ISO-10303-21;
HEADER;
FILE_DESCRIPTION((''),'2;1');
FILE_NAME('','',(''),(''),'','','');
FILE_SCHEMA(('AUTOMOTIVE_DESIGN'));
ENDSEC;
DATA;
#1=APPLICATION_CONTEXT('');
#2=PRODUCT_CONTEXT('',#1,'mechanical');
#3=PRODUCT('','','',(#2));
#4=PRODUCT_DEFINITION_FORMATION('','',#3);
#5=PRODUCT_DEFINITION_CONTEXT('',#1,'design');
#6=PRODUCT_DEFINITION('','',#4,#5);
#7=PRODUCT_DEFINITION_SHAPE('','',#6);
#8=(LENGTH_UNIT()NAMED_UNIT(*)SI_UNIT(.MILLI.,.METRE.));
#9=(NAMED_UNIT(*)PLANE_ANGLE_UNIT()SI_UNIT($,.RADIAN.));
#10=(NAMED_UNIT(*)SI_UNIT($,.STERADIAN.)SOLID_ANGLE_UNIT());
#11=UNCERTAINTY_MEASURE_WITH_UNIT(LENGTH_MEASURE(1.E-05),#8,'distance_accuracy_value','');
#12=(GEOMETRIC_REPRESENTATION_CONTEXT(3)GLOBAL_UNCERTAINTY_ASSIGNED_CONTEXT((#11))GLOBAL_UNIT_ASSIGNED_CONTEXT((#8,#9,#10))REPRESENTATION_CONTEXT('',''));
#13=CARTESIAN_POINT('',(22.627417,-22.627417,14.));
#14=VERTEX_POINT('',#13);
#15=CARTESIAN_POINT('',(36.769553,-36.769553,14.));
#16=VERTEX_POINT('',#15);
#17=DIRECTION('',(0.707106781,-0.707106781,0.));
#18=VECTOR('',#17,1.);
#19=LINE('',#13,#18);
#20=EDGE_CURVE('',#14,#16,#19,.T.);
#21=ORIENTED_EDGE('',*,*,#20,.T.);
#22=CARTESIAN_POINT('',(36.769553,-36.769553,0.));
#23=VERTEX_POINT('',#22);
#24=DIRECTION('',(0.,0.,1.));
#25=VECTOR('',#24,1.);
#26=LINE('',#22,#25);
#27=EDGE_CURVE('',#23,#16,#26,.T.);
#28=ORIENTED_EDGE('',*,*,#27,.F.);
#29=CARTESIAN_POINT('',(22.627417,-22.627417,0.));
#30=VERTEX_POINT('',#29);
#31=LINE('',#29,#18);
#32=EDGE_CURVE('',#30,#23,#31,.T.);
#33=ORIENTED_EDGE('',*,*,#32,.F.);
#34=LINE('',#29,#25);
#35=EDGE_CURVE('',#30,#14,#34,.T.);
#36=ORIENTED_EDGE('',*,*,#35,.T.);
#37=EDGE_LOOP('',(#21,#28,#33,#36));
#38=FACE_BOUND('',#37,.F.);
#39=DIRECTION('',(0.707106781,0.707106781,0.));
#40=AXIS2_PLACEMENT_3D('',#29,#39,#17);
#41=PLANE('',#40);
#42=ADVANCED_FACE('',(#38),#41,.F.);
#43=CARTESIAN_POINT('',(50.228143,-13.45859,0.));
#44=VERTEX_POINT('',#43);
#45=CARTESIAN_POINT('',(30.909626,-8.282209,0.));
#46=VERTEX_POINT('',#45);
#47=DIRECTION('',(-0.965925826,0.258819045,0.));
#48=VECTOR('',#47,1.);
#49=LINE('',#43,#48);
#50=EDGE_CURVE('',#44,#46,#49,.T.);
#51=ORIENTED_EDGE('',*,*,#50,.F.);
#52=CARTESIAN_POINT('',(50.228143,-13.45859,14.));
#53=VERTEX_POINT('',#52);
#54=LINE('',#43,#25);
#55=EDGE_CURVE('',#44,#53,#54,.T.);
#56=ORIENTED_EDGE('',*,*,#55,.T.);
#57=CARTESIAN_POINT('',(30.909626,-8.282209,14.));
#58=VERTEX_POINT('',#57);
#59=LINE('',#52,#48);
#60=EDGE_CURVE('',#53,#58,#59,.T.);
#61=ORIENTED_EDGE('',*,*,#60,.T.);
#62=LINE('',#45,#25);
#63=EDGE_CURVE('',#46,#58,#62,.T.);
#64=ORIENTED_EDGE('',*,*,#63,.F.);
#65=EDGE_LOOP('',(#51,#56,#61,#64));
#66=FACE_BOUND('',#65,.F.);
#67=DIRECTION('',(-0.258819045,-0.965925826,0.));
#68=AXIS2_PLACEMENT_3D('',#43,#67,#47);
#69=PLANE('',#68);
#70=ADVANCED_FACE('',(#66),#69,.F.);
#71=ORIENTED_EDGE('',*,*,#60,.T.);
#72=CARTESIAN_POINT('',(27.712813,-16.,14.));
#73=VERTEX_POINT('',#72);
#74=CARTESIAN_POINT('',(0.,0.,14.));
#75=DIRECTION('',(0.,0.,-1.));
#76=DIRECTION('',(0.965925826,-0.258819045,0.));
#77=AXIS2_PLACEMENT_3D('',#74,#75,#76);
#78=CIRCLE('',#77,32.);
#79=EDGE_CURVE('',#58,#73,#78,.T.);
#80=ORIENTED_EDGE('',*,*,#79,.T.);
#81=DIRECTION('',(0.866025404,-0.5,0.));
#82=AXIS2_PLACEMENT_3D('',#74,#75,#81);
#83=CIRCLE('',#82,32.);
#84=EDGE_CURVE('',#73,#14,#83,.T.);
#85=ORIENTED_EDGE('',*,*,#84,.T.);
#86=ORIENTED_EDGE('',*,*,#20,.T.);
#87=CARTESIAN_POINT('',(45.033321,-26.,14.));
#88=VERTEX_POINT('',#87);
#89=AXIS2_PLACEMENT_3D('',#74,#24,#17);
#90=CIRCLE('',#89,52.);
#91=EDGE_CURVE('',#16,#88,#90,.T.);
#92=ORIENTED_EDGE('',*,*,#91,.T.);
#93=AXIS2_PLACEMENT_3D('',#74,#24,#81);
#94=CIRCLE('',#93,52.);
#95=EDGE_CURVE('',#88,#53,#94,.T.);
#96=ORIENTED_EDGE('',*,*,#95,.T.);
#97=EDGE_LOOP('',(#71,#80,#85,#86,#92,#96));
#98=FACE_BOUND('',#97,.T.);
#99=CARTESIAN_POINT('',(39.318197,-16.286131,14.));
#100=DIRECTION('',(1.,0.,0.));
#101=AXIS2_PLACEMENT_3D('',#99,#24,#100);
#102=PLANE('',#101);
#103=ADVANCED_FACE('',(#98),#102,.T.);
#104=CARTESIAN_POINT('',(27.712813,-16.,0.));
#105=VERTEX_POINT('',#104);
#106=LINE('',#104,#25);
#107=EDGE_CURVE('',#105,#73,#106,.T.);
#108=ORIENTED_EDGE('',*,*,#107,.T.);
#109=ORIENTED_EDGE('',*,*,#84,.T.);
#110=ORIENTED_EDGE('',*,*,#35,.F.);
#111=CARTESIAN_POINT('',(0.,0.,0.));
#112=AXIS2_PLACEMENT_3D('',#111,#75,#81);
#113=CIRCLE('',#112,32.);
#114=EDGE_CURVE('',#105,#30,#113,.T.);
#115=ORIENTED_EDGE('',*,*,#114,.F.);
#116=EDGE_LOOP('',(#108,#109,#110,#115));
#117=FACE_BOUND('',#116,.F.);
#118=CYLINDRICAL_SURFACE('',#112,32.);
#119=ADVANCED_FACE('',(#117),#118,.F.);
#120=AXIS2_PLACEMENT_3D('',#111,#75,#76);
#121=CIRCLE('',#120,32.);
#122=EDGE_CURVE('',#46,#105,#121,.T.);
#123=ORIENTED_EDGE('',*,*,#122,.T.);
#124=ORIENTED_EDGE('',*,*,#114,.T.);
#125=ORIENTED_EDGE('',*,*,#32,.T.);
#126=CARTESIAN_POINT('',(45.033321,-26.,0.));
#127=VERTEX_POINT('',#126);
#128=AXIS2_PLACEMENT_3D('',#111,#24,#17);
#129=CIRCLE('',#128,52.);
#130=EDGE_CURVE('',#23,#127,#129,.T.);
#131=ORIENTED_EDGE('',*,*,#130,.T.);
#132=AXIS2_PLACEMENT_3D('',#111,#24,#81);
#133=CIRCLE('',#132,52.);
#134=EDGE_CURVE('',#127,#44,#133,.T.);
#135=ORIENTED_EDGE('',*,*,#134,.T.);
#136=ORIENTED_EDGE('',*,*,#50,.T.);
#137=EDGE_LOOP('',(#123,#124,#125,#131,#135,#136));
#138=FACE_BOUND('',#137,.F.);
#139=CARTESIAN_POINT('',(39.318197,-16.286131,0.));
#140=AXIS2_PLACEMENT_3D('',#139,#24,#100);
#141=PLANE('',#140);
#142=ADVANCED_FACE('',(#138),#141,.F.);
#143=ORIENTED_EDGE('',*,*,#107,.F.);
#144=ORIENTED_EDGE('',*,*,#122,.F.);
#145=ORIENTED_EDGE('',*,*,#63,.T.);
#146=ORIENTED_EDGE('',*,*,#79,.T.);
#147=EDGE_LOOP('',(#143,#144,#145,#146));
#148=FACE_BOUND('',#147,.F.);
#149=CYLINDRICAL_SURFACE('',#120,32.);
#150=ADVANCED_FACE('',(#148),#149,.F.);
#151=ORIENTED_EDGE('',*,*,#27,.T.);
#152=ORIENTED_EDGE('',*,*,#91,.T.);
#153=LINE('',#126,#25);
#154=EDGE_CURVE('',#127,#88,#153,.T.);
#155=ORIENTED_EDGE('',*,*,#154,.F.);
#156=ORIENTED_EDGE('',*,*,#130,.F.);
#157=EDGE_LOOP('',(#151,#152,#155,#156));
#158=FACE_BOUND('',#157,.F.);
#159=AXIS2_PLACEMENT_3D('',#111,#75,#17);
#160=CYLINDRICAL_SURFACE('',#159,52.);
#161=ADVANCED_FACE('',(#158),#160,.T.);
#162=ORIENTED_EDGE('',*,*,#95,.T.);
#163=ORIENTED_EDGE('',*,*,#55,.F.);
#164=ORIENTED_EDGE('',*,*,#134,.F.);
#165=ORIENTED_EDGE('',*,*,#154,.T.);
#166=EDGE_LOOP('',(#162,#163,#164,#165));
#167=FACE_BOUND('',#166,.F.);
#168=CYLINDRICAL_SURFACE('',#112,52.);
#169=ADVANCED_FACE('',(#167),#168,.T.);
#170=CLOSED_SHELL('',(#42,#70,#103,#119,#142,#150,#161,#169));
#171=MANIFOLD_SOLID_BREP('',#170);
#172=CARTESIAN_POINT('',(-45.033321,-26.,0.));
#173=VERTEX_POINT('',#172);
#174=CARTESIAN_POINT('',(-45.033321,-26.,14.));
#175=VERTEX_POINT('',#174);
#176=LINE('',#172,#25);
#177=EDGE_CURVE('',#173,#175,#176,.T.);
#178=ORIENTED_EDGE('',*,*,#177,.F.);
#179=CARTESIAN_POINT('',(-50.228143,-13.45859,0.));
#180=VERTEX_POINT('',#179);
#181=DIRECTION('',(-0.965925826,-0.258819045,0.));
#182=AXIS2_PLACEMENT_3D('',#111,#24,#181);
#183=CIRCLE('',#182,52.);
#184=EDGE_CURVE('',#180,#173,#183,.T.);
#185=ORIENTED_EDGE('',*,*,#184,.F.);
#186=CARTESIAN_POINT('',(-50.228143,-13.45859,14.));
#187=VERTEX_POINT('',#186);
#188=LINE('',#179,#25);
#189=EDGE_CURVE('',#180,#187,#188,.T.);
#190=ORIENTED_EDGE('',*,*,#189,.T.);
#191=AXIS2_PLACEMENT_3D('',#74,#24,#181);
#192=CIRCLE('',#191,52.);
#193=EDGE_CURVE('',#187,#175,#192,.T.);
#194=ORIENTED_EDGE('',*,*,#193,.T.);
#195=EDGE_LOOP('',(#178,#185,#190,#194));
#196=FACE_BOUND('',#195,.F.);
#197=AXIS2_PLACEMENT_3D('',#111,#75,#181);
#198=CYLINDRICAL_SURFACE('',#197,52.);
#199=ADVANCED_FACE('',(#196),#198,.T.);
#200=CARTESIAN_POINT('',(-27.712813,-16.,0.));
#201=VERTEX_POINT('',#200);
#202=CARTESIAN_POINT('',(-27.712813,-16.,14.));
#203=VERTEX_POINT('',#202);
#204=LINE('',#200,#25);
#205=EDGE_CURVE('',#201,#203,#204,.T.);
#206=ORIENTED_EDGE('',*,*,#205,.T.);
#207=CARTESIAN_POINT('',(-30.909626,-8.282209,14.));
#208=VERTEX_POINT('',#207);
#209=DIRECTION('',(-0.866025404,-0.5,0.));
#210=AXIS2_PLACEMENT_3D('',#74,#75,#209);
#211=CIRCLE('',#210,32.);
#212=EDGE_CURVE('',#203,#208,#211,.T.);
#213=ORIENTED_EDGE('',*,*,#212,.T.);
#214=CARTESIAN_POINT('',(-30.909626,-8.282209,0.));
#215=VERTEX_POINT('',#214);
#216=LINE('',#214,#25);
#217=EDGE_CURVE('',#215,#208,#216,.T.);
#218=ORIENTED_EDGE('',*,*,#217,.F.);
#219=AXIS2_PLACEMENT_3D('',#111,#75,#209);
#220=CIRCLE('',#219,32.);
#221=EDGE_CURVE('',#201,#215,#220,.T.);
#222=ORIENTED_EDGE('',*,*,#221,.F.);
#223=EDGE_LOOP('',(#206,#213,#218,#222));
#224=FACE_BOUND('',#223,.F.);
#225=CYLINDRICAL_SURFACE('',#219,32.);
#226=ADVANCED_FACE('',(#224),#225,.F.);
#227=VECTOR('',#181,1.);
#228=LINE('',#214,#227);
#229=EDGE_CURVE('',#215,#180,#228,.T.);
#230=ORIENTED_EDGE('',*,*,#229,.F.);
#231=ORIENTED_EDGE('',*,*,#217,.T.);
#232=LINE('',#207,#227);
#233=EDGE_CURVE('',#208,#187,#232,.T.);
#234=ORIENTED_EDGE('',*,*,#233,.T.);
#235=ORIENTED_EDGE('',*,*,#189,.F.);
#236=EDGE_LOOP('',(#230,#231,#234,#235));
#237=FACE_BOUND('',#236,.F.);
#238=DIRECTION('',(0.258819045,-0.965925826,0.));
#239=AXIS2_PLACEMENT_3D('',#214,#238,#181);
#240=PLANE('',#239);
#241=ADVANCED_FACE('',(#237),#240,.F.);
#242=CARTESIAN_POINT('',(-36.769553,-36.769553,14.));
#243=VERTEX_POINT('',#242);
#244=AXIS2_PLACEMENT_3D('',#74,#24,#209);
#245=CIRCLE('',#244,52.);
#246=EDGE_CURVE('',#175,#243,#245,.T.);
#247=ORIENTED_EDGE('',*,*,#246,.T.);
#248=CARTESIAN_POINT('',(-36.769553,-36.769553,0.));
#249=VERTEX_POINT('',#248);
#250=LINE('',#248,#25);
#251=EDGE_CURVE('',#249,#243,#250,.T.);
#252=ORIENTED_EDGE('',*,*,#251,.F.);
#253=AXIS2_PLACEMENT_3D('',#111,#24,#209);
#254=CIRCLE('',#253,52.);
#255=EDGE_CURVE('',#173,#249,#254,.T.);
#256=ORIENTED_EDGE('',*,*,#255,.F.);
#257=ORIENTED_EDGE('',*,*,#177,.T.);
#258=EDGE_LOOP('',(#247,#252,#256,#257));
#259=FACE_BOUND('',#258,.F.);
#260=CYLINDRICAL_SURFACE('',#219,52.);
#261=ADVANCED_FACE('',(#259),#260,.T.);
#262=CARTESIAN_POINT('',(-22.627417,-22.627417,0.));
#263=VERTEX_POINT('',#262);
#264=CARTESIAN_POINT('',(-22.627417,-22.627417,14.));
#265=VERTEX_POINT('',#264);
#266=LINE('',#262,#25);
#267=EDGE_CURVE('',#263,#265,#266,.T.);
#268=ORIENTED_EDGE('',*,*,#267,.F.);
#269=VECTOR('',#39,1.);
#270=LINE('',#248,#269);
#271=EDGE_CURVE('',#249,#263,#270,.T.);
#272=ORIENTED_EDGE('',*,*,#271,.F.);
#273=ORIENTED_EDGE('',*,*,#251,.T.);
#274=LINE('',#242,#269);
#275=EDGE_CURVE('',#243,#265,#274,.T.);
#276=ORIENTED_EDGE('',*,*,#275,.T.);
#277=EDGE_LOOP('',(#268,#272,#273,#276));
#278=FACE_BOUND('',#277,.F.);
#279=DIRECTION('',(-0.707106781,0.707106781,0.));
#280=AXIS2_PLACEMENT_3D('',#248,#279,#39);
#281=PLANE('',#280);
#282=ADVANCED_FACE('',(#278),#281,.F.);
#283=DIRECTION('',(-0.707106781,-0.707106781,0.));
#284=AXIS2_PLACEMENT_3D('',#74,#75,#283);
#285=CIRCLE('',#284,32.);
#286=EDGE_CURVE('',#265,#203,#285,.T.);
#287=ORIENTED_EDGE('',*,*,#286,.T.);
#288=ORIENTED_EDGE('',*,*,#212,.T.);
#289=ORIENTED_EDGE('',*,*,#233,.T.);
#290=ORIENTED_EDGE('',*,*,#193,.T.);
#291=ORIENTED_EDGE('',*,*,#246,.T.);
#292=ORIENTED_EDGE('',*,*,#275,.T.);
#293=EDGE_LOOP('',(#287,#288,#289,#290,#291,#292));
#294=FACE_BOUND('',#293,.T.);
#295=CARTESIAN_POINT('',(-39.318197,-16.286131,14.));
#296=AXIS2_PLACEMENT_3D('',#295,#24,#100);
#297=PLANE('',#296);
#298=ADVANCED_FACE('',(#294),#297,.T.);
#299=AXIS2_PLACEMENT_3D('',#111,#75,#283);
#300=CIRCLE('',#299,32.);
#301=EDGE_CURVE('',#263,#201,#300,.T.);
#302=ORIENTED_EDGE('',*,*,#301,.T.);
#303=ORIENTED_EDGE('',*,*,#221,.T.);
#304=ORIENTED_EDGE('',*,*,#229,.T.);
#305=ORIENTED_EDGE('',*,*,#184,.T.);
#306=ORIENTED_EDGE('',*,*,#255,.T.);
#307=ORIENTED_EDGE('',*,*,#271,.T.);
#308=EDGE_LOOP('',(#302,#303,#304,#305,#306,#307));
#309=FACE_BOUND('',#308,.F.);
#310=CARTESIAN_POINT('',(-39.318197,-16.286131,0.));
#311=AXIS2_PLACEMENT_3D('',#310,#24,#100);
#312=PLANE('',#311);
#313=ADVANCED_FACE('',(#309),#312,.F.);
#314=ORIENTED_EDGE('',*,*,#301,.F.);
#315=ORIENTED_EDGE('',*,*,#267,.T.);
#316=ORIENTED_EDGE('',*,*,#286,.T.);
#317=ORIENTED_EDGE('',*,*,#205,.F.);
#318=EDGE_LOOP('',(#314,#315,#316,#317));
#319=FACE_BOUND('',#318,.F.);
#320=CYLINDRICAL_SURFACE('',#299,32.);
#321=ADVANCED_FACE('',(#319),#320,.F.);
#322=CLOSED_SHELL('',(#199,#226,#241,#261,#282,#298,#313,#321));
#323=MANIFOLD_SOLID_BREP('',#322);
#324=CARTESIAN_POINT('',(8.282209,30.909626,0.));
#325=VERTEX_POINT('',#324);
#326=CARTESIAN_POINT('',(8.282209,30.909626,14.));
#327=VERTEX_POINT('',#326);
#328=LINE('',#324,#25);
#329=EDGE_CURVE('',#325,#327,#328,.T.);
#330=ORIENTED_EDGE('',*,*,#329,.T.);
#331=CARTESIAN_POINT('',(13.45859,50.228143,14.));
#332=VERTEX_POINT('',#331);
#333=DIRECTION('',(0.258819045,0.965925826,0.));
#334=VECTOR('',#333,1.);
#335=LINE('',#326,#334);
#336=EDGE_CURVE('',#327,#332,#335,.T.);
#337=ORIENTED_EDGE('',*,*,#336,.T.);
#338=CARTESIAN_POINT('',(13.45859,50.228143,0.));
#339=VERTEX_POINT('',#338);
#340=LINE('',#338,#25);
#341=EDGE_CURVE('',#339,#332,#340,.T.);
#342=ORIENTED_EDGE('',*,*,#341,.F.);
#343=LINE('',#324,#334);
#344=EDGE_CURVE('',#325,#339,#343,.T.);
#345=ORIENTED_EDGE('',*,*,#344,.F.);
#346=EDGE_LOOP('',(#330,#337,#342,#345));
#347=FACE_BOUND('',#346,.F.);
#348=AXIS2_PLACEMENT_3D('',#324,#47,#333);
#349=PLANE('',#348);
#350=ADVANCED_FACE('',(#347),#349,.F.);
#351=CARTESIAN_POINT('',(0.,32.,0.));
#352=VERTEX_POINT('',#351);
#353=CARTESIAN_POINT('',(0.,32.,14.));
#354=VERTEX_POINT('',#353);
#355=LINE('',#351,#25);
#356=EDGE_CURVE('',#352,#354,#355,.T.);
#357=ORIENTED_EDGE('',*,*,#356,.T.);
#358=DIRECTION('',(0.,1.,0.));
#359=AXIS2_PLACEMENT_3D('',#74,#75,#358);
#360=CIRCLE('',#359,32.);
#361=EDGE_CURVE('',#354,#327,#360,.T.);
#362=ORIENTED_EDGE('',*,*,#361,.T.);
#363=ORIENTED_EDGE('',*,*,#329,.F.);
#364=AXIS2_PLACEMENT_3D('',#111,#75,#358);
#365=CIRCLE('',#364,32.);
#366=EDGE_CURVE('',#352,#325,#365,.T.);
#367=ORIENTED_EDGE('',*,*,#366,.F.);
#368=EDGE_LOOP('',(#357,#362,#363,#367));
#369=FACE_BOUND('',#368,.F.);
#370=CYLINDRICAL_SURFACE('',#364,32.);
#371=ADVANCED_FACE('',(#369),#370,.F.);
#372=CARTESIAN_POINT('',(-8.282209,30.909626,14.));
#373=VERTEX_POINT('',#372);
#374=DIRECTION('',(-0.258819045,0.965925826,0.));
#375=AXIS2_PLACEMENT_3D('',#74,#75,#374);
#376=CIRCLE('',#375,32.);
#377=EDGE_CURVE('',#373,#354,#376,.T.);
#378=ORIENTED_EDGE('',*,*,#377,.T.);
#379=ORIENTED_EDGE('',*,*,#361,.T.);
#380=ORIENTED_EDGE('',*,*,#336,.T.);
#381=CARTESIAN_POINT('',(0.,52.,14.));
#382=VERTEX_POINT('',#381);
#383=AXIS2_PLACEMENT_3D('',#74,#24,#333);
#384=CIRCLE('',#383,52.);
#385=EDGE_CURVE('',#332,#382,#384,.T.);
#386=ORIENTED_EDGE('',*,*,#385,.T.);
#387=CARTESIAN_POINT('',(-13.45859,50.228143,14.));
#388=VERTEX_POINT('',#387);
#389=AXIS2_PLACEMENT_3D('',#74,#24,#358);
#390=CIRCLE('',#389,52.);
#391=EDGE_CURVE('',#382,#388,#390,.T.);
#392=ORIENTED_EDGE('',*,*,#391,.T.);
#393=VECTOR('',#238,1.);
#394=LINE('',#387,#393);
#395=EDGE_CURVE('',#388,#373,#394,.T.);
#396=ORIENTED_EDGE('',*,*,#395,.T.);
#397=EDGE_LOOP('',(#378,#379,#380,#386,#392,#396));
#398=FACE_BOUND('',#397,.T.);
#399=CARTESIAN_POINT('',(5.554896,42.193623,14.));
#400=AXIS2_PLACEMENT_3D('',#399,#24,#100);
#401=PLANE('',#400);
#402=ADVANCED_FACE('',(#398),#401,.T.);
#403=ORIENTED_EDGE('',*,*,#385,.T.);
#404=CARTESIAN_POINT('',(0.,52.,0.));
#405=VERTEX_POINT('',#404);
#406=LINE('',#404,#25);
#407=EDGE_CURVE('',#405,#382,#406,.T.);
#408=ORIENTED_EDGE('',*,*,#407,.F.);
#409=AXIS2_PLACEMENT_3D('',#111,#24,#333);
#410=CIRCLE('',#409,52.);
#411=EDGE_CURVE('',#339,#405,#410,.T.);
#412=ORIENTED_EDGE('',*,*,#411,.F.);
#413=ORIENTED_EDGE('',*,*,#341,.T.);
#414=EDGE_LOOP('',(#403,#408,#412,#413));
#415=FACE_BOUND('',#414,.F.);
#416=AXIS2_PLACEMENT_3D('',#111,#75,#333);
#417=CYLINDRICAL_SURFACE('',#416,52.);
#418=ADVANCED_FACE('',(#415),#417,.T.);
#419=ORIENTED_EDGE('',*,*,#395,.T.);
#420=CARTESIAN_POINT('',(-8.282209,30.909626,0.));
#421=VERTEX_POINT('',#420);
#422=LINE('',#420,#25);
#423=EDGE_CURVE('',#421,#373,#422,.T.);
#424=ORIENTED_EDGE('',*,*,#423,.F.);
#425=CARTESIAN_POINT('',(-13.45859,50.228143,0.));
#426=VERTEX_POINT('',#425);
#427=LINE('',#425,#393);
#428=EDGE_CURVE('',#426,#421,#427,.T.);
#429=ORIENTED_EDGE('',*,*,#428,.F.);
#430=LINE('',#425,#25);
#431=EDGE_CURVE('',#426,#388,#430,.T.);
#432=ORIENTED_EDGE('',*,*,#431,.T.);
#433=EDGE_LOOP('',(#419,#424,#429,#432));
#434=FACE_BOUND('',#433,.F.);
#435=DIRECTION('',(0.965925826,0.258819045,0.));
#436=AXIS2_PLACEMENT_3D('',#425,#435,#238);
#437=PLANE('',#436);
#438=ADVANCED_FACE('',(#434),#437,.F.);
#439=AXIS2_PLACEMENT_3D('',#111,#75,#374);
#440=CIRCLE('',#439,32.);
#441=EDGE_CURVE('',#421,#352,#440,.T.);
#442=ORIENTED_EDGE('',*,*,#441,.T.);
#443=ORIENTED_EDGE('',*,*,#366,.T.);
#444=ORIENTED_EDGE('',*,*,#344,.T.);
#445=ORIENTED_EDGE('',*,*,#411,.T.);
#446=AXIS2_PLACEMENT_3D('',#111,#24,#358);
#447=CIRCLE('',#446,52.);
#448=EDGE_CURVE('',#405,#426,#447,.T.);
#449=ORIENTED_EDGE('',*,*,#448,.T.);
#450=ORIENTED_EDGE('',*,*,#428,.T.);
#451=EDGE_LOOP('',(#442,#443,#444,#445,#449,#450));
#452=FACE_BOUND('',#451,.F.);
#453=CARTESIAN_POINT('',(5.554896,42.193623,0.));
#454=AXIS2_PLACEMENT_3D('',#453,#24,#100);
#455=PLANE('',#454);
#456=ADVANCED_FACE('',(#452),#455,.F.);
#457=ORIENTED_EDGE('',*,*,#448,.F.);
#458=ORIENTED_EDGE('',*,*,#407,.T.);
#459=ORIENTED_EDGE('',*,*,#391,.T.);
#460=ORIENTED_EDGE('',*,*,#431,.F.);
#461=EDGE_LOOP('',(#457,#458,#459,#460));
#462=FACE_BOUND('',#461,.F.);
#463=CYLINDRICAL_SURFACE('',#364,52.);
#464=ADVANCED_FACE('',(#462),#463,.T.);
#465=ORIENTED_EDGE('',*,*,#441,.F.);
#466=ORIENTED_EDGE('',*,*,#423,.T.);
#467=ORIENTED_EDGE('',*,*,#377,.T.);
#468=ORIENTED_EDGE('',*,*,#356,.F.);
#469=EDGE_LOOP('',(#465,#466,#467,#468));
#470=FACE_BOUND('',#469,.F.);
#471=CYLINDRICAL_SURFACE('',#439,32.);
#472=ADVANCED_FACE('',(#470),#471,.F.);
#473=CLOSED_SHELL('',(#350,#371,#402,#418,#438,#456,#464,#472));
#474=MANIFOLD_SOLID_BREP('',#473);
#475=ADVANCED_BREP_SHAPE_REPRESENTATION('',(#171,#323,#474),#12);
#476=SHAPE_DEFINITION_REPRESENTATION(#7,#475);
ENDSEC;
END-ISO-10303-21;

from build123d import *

# Parameters (mm, degrees)
F1_DEPTH = 14
F2_DEPTH = 14


with BuildPart() as f1:
    # F0 (on Top) → F1 (new body)
    with BuildSketch(Plane.XY):
        with BuildLine():
            Line((8.2822094433, 30.9096264413), (13.4585903453, 50.228142967))
            ThreePointArc((13.4585903453, 50.228142967), (6.7873619954, 51.5551327914), (0, 52))
            Line((0, 52), (0, 32))
            ThreePointArc((0, 32), (4.176838151, 31.726235564), (8.2822094433, 30.9096264413))
        make_face()
        with BuildLine():
            Line((0, 32), (0, 52))
            ThreePointArc((0, 52), (-6.7873619954, 51.5551327914), (-13.4585903453, 50.228142967))
            Line((-13.4585903453, 50.228142967), (-8.2822094433, 30.9096264413))
            ThreePointArc((-8.2822094433, 30.9096264413), (-4.176838151, 31.726235564), (0, 32))
        make_face()
    extrude(amount=F1_DEPTH)

    # F0 (on Top) → F2, piece 2 (join)
    with BuildSketch(Plane.XY):
        with BuildLine():
            Line((0, 32), (0, 52))
            ThreePointArc((0, 52), (-6.7873619954, 51.5551327914), (-13.4585903453, 50.228142967))
            Line((-13.4585903453, 50.228142967), (-8.2822094433, 30.9096264413))
            ThreePointArc((-8.2822094433, 30.9096264413), (-4.176838151, 31.726235564), (0, 32))
        make_face()
        with BuildLine():
            Line((8.2822094433, 30.9096264413), (13.4585903453, 50.228142967))
            ThreePointArc((13.4585903453, 50.228142967), (6.7873619954, 51.5551327914), (0, 52))
            Line((0, 52), (0, 32))
            ThreePointArc((0, 32), (4.176838151, 31.726235564), (8.2822094433, 30.9096264413))
        make_face()
    extrude(amount=F2_DEPTH)


with BuildPart() as f2:
    # F0 (on Top) → F2 (new body)
    with BuildSketch(Plane.XY):
        with BuildLine():
            Line((-30.9096264413, -8.2822094433), (-50.228142967, -13.4585903453))
            ThreePointArc((-50.228142967, -13.4585903453), (-48.0417356906, -19.899538483), (-45.0333209968, -26))
            Line((-45.0333209968, -26), (-27.7128129211, -16))
            ThreePointArc((-27.7128129211, -16), (-29.5641450404, -12.2458698357), (-30.9096264413, -8.2822094433))
        make_face()
        with BuildLine():
            ThreePointArc((-45.0333209968, -26), (-41.2543736951, -31.6555943085), (-36.7695526217, -36.7695526217))
            Line((-36.7695526217, -36.7695526217), (-22.627416998, -22.627416998))
            ThreePointArc((-22.627416998, -22.627416998), (-25.3873068893, -19.4803657283), (-27.7128129211, -16))
            Line((-27.7128129211, -16), (-45.0333209968, -26))
        make_face()
    extrude(amount=F2_DEPTH)


with BuildPart() as f2b:
    # F0 (on Top) → F2, piece 3 (new body)
    with BuildSketch(Plane.XY):
        with BuildLine():
            ThreePointArc((45.0333209968, -26), (48.0417356906, -19.899538483), (50.228142967, -13.4585903453))
            Line((50.228142967, -13.4585903453), (30.9096264413, -8.2822094433))
            ThreePointArc((30.9096264413, -8.2822094433), (29.5641450404, -12.2458698357), (27.7128129211, -16))
            Line((27.7128129211, -16), (45.0333209968, -26))
        make_face()
        with BuildLine():
            ThreePointArc((36.7695526217, -36.7695526217), (41.2543736951, -31.6555943085), (45.0333209968, -26))
            Line((45.0333209968, -26), (27.7128129211, -16))
            ThreePointArc((27.7128129211, -16), (25.3873068893, -19.4803657283), (22.627416998, -22.627416998))
            Line((22.627416998, -22.627416998), (36.7695526217, -36.7695526217))
        make_face()
    extrude(amount=F2_DEPTH)


solid = Compound([f1.part, f2.part, f2b.part])
